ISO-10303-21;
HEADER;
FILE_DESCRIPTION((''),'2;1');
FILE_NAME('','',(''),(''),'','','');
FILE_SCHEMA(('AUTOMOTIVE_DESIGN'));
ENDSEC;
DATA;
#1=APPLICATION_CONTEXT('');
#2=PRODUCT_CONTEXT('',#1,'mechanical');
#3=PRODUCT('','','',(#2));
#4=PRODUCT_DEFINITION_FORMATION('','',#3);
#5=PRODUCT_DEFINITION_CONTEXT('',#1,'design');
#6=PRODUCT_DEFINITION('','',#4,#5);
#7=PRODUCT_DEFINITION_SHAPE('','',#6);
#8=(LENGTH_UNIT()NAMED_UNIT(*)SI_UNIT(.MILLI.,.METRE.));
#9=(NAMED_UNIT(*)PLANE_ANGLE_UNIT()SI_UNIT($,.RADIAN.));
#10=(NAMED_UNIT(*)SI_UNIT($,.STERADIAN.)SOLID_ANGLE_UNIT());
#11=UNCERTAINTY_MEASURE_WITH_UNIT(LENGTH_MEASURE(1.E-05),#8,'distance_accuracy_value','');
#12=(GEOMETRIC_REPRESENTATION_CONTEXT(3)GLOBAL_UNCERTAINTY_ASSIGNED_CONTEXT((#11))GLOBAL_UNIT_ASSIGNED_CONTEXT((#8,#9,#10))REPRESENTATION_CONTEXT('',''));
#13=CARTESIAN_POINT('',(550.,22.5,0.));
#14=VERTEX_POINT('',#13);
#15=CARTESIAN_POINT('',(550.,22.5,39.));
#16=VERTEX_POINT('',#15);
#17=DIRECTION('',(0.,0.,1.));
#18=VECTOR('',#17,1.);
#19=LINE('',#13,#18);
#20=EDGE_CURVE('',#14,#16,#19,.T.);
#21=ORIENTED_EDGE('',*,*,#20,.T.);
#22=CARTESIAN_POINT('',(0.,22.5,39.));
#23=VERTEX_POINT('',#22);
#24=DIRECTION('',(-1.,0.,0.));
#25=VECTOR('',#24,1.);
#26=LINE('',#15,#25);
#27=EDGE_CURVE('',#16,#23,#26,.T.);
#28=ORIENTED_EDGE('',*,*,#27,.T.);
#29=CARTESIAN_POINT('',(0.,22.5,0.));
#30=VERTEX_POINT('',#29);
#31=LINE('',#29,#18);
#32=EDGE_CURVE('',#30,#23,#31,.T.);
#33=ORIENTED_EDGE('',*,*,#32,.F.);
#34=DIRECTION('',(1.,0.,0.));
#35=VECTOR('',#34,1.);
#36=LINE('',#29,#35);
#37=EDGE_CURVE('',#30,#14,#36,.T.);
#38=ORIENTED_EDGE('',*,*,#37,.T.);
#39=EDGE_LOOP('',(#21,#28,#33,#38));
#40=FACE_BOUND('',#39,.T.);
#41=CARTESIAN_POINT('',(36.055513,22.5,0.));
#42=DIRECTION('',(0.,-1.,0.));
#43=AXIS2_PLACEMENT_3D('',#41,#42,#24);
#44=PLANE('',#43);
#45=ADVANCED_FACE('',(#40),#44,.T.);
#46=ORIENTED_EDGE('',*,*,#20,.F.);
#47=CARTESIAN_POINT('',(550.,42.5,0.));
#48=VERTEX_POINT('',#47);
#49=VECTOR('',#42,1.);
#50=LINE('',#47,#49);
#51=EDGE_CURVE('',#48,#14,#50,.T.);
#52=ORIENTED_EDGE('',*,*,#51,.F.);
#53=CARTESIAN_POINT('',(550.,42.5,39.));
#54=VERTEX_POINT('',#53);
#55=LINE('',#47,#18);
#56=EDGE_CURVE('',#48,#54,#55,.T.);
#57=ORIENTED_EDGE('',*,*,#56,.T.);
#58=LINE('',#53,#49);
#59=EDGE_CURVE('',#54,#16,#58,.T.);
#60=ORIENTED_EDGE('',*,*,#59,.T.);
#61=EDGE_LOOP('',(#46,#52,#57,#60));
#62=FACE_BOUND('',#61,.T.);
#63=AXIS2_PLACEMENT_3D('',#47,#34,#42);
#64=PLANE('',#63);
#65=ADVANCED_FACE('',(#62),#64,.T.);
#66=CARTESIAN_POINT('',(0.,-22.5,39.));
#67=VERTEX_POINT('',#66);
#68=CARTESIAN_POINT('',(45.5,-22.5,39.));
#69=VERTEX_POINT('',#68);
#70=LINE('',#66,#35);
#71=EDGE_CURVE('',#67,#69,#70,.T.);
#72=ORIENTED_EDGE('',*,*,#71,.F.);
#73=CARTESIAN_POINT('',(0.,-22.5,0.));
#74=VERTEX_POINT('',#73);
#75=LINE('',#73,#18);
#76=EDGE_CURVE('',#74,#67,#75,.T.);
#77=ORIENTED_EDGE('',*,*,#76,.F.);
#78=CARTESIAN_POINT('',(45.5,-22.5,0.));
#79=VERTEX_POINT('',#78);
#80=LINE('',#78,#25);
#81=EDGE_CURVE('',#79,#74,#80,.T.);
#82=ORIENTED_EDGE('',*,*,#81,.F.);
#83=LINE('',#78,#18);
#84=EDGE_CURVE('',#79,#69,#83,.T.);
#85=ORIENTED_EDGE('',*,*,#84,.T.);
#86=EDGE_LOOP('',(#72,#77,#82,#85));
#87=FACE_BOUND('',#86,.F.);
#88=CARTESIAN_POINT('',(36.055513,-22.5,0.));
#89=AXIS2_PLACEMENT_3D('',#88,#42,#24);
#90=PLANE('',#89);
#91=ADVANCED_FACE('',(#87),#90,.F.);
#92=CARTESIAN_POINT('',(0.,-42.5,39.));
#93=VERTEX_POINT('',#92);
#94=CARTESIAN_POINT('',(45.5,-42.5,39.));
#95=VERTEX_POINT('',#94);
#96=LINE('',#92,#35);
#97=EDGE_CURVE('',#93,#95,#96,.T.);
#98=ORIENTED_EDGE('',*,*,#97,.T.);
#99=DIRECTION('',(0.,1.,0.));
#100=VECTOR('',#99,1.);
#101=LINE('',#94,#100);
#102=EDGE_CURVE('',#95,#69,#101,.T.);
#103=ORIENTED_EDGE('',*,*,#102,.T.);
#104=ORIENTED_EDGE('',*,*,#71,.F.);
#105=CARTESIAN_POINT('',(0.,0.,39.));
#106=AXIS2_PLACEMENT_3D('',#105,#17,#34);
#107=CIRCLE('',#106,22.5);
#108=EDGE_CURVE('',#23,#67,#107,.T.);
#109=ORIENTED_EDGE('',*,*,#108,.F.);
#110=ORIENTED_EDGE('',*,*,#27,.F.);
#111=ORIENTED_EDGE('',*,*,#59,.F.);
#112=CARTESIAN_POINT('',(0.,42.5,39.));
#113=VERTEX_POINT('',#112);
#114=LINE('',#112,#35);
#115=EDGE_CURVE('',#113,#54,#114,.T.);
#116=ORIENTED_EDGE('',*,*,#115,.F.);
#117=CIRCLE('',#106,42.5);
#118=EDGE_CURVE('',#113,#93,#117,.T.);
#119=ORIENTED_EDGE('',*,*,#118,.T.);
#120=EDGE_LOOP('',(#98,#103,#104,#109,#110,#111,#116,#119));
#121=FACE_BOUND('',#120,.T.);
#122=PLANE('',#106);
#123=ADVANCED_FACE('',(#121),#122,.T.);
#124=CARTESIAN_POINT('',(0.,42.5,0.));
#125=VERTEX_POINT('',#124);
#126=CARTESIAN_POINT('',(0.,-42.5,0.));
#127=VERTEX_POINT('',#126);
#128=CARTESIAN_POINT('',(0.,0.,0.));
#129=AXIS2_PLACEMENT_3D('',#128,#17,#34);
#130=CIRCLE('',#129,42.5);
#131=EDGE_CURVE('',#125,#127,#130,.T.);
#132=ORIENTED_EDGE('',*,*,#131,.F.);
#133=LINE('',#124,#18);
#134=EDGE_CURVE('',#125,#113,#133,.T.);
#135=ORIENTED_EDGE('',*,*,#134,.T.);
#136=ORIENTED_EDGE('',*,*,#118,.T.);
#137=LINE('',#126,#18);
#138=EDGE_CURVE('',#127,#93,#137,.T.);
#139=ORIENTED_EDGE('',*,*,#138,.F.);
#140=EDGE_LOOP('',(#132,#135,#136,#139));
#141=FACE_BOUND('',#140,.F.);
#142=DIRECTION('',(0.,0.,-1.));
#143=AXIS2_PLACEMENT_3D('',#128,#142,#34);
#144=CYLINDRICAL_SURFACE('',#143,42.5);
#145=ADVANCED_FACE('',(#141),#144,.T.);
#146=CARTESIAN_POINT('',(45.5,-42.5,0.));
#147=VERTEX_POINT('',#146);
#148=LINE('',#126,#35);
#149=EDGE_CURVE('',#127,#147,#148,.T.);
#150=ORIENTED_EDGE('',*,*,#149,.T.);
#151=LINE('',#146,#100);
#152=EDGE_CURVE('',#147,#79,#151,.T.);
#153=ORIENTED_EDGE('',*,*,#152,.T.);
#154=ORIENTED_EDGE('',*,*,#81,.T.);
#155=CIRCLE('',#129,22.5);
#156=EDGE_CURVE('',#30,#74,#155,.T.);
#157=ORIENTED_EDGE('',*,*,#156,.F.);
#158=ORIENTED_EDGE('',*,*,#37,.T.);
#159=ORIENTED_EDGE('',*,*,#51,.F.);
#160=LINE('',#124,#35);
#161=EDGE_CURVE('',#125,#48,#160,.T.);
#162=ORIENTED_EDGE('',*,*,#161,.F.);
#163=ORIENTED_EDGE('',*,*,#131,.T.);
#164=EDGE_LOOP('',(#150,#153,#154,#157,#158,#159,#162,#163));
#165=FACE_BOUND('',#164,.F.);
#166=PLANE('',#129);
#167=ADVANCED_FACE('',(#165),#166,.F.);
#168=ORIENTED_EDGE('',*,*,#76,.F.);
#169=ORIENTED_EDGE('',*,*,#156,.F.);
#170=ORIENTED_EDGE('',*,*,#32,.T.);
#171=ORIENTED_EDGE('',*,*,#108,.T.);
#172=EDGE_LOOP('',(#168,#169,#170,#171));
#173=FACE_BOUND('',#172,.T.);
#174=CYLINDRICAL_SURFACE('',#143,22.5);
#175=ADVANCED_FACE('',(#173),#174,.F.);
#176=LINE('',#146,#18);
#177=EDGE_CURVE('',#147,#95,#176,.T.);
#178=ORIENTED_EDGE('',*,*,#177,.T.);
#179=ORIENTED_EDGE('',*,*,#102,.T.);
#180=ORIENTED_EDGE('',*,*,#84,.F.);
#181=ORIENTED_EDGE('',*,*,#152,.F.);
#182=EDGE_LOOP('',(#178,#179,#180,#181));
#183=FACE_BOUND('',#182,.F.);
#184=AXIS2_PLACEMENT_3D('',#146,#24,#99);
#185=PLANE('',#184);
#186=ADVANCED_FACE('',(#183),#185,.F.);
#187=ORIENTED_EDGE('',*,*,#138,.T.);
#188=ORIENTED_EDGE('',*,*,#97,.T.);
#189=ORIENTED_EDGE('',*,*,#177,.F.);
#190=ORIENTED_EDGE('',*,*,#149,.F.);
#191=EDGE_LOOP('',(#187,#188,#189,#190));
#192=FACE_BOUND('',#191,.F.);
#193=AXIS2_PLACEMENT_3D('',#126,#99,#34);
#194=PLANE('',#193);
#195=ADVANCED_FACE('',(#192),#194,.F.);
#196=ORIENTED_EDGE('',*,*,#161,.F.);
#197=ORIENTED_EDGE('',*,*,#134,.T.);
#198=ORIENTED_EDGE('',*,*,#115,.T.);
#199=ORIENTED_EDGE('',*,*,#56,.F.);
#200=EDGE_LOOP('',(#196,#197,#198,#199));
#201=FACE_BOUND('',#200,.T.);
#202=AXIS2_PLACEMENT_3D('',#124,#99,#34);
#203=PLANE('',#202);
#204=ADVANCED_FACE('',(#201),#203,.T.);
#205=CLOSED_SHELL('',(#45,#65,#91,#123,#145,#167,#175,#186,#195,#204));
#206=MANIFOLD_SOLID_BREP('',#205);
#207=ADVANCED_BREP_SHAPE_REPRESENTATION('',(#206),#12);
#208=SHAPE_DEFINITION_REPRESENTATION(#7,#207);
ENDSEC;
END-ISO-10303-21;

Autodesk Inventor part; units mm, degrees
ref_plane "YZ Plane" through (0, 0, 0) normal (1, 0, 0) x (0, 1, 0)
ref_plane "XZ Plane" through (0, 0, 0) normal (0, 1, 0) x (-1, 0, 0)
ref_plane "XY Plane" through (0, 0, 0) normal (0, 0, 1) x (1, 0, 0)
sketch "Sketch1" plane through (0, 0, 0) normal (0, 0, 1) x (1, 0, 0)
  circle A0 centre (0, 0) radius 42.5
  line L0 (0, -42.5) -> (45.5, -42.5)
  line L1 (45.5, -42.5) -> (45.5, -22.5)
  line L2 (45.5, -22.5) -> (0, -22.5)
  line L3 (0, -22.5) -> (0, -42.5)
  line L4 (0, 42.5) -> (550, 42.5)
  line L5 (550, 42.5) -> (550, 22.5)
  line L6 (550, 22.5) -> (0, 22.5)
  line L7 (0, 22.5) -> (0, 42.5)
  circle A1 centre (0, 0) radius 22.5
  point P0 (0, -22.5)
  point P1 (0, 22.5)
  point P2 (15.5, -22.5)
  point P3 (-42.5, 0)
  dimension "d0" = 85
  dimension "d1" = 20
  dimension "d2" = 20
  dimension "d9" = 550
  dimension "d10" = 58
  dimension "d11" = 30
extrude "Extrusion1" add sketch "Sketch1" along normal blind 39 contours L7 A1 L3 A0 | L4 L5 L6 A0 | A0 L6 L7 | L3 L2 A0 | A0 L2 L1 L0
properties part number "J15BF.1.30_Zaxis"
